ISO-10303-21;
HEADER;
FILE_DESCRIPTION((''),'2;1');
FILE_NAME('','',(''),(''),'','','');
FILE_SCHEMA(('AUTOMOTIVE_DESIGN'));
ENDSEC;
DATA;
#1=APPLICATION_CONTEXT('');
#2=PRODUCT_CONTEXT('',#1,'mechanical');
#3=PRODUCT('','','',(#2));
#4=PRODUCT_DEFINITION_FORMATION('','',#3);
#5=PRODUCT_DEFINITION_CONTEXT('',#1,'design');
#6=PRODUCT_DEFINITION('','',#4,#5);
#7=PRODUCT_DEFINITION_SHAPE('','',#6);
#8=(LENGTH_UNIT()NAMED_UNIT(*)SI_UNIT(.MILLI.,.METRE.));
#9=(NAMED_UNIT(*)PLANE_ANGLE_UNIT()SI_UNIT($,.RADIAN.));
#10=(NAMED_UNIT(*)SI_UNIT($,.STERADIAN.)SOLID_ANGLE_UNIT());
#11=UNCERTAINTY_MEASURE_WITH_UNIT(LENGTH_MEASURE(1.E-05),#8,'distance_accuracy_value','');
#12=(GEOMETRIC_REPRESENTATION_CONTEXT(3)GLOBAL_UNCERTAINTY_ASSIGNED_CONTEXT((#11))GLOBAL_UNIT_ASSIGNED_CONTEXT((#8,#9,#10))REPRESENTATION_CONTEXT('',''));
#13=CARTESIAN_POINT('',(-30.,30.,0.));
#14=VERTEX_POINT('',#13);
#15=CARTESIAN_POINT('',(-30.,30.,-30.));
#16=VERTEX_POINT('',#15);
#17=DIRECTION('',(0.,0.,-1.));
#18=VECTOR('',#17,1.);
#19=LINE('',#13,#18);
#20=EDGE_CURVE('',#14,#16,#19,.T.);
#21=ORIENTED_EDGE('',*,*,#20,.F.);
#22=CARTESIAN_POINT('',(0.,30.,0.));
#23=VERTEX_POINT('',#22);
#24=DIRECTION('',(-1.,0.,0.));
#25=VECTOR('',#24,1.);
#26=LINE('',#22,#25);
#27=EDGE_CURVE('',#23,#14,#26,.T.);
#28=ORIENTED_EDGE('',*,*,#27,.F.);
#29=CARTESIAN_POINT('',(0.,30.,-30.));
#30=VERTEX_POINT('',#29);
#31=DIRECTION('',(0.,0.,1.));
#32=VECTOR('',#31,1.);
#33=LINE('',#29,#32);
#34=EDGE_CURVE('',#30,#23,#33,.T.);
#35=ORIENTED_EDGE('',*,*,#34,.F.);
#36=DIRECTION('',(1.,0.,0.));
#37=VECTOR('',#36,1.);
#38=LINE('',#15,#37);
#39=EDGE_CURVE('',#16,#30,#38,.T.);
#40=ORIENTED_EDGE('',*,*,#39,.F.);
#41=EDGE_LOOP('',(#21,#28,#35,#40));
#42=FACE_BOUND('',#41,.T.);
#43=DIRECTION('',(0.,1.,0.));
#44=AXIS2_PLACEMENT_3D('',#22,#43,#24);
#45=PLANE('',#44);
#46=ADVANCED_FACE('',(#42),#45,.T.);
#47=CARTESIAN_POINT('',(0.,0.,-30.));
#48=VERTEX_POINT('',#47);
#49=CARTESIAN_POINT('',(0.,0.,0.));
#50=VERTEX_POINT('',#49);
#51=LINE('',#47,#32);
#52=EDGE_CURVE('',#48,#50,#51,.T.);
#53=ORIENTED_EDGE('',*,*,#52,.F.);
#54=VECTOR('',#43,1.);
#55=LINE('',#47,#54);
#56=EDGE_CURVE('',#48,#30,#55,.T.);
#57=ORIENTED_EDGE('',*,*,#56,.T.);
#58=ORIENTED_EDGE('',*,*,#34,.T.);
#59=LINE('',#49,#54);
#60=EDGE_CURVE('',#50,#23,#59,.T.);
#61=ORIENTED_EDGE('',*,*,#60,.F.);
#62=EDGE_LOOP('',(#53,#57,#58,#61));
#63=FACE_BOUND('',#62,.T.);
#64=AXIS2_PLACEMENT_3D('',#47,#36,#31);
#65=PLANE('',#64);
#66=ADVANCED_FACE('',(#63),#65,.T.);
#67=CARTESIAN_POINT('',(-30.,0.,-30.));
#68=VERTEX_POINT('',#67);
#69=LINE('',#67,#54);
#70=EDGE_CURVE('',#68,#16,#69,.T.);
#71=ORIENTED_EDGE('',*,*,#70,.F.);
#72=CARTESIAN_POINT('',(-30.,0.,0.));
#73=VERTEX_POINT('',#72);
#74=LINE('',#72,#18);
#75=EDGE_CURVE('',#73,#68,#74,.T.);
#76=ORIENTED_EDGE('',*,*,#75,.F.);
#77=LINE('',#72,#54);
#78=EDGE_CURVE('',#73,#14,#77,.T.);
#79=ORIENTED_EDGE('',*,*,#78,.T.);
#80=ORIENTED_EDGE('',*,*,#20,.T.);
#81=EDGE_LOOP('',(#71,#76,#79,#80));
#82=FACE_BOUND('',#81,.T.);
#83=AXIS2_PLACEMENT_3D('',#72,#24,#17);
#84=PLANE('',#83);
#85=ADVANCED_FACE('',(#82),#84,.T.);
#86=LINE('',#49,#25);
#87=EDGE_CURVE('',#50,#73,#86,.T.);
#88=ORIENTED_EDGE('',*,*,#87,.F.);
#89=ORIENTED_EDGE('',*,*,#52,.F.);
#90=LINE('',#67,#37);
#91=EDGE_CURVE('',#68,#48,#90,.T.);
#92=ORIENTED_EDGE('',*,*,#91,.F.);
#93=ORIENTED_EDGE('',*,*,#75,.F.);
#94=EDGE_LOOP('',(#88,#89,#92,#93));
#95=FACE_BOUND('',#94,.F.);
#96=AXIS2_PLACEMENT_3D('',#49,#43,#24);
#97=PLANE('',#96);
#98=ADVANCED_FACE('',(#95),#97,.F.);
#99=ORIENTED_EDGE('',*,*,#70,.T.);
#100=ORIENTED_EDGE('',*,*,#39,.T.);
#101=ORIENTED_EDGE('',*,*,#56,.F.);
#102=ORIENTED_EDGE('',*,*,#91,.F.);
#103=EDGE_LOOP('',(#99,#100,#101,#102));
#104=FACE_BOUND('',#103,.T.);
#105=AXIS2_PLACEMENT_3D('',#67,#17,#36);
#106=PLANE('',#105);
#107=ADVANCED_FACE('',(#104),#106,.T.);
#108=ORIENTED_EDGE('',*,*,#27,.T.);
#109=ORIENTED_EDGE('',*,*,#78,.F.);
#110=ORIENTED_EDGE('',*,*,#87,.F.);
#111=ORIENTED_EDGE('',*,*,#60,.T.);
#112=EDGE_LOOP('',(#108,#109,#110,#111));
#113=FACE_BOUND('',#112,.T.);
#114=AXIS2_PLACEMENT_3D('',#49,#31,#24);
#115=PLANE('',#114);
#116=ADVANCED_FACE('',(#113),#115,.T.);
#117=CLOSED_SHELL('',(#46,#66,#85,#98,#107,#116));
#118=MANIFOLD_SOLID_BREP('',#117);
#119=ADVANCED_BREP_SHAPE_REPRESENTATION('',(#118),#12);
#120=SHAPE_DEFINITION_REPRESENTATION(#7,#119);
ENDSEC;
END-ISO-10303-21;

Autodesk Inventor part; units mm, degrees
ref_plane "YZ Plane" through (0, 0, 0) normal (1, 0, 0) x (0, 1, 0)
ref_plane "XZ Plane" through (0, 0, 0) normal (0, 1, 0) x (-1, 0, 0)
ref_plane "XY Plane" through (0, 0, 0) normal (0, 0, 1) x (1, 0, 0)
sketch "Sketch1" plane through (0, 0, 0) normal (0, 1, 0) x (-1, 0, 0)
  line L0 (0, 0) -> (30, 0)
  line L1 (30, 0) -> (30, -30)
  line L2 (30, -30) -> (0, -30)
  line L3 (0, -30) -> (0, 0)
  dimension "d4" = 30
  dimension "d5" = 30
extrude "Extrusion1" add sketch "Sketch1" along normal blind 30
properties part number "cube"
